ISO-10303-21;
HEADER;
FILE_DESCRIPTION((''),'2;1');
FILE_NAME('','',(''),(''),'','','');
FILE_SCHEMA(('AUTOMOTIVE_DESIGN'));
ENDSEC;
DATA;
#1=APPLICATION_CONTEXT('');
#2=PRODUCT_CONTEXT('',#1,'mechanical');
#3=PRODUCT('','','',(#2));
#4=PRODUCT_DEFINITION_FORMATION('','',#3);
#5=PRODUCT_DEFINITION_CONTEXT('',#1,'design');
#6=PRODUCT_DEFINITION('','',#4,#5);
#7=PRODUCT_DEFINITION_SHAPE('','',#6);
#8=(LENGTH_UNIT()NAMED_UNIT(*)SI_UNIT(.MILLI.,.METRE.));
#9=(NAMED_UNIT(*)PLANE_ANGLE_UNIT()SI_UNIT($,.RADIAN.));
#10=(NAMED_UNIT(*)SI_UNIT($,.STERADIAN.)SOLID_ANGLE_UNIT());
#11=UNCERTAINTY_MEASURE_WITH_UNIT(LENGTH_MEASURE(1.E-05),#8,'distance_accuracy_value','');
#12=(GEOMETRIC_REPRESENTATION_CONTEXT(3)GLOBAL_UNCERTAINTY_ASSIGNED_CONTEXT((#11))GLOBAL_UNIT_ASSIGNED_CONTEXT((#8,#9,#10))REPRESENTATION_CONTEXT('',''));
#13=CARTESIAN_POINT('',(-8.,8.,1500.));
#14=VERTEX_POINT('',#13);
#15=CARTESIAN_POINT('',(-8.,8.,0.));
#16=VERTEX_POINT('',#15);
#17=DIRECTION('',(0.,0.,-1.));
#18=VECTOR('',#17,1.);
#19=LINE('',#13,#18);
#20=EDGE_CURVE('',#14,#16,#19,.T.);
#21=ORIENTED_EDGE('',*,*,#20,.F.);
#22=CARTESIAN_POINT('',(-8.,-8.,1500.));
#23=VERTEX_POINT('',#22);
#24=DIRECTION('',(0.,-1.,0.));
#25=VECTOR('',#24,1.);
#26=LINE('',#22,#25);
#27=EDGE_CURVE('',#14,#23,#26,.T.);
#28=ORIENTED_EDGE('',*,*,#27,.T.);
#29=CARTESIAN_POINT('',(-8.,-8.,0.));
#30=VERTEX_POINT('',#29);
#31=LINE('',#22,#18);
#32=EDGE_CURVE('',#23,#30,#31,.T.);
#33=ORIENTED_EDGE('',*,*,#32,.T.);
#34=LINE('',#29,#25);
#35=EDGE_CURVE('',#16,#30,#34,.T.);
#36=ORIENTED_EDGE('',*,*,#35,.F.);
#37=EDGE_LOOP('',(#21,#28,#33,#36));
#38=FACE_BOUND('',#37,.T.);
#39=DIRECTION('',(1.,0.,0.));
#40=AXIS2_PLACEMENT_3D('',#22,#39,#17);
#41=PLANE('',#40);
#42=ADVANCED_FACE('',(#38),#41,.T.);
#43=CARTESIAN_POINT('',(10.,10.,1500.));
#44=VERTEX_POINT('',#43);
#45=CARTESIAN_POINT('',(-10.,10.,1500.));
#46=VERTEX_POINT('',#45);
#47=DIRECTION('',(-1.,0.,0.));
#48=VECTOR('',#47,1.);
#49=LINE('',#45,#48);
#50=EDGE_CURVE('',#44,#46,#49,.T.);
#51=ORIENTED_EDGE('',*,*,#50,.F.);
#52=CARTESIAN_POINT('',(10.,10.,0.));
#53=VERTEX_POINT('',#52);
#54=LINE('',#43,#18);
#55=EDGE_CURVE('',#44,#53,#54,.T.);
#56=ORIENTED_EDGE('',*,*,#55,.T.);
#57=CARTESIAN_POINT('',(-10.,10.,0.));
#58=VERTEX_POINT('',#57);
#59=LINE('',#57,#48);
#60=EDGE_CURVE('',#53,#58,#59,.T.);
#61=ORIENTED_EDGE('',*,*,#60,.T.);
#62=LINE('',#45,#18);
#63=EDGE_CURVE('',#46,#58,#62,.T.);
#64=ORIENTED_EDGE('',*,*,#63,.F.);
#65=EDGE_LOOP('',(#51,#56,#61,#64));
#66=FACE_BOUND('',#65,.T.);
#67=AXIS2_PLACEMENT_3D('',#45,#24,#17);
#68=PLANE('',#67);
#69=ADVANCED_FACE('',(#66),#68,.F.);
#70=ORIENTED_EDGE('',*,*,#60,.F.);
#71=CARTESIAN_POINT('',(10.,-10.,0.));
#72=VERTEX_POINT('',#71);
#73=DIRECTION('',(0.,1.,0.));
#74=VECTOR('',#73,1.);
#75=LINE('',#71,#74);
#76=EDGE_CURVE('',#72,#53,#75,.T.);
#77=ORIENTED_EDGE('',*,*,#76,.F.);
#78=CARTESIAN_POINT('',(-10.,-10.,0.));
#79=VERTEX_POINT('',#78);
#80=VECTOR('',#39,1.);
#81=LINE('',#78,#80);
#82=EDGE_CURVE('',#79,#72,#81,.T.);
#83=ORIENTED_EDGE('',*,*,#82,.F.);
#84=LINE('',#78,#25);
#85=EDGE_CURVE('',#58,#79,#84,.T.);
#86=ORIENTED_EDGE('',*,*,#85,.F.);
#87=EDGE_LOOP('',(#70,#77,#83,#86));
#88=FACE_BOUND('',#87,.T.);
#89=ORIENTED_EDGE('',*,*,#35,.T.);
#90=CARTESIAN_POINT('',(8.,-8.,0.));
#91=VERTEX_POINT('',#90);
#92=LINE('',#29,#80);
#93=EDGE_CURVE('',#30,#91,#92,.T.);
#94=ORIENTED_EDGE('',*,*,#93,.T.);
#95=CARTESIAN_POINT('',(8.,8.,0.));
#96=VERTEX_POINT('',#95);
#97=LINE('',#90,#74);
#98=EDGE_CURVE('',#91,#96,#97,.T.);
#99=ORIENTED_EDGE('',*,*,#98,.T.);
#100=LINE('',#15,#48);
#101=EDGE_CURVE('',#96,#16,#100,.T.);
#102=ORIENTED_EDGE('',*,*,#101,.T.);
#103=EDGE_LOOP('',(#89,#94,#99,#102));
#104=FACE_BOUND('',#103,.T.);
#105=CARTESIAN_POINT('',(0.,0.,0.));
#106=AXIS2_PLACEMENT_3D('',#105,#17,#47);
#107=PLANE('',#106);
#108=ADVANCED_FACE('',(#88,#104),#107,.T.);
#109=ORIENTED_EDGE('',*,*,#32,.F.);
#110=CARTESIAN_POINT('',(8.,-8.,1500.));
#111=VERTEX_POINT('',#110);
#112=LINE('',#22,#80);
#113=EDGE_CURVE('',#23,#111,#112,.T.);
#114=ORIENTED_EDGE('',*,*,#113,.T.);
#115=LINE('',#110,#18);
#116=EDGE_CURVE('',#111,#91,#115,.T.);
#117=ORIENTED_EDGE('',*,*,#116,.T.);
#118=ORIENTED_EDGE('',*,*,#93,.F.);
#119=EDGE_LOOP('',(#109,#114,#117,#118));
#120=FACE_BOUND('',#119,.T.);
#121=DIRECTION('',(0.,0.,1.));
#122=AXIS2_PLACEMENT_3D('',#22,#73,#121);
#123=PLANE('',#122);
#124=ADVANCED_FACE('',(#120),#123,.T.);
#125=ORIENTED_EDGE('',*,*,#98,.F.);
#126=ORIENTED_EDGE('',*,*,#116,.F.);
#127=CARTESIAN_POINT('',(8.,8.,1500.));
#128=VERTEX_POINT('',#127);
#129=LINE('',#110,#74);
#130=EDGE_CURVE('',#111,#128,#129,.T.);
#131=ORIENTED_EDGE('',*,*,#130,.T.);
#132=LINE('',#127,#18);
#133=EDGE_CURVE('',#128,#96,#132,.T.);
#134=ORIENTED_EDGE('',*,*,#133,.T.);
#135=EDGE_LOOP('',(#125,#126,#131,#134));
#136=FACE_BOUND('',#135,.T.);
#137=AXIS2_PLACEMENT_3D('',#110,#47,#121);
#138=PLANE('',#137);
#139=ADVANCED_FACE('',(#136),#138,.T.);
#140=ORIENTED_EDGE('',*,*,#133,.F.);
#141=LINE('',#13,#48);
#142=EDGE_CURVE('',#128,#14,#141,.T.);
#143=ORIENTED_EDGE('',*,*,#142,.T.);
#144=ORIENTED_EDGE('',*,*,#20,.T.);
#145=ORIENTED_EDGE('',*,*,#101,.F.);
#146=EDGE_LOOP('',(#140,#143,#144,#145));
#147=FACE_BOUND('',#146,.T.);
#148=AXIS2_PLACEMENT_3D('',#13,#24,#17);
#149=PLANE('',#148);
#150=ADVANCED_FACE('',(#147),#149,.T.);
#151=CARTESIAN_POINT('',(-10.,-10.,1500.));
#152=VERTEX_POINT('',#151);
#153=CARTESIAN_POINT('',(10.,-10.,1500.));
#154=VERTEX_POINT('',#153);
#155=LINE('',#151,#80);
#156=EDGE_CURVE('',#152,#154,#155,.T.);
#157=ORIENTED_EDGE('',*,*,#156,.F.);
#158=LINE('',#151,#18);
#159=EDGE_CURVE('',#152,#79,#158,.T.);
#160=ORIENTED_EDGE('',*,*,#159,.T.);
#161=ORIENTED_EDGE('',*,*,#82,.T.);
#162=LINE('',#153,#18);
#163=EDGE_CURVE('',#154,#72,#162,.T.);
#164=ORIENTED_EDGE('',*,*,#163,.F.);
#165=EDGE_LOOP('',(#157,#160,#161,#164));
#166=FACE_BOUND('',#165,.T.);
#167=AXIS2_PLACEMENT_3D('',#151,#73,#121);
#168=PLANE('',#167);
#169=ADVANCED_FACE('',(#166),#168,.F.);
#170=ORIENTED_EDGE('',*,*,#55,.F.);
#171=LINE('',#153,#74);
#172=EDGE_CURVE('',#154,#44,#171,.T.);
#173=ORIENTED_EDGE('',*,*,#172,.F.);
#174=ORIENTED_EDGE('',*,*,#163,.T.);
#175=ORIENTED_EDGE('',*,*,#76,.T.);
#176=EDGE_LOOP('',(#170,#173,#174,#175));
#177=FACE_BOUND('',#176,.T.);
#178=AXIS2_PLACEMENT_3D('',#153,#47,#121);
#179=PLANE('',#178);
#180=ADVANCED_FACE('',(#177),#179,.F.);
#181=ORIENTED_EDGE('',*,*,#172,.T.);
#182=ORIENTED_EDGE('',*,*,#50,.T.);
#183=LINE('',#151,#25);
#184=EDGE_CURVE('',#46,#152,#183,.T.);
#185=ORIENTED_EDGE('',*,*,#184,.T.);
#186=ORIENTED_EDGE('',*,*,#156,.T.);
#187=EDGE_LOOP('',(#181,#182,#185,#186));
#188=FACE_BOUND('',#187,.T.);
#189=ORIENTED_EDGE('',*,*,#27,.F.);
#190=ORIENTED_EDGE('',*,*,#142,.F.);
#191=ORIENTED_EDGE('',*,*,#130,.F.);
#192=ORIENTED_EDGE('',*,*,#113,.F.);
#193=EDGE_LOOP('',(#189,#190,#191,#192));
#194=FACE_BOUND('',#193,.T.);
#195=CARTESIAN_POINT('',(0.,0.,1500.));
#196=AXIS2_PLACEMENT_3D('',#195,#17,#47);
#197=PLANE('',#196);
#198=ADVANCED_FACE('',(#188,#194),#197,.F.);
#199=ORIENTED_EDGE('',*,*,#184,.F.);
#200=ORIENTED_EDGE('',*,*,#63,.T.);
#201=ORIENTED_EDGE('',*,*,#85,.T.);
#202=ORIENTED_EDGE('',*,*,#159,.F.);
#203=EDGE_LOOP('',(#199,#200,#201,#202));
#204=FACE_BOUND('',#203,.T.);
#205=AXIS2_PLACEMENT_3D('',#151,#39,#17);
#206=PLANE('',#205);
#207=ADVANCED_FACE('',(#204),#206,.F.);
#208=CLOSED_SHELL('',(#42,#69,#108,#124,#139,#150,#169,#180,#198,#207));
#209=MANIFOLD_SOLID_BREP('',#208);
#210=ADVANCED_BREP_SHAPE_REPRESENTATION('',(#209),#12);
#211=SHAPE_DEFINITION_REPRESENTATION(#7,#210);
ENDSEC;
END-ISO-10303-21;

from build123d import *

# Parameters (mm, degrees)
SKETCH1_W           = 20
SKETCH1_H           = 20
SKETCH1_W_2         = 16
SKETCH1_H_2         = 16
BOSS_EXTRUDE1_DEPTH = 1500


with BuildPart() as part:
    # Sketch1 → Boss-Extrude1 (new body)
    with BuildSketch(Plane.XY):
        Rectangle(SKETCH1_W, SKETCH1_H)
        Rectangle(SKETCH1_W_2, SKETCH1_H_2, mode=Mode.SUBTRACT)
    extrude(amount=BOSS_EXTRUDE1_DEPTH)


solid = part.part
